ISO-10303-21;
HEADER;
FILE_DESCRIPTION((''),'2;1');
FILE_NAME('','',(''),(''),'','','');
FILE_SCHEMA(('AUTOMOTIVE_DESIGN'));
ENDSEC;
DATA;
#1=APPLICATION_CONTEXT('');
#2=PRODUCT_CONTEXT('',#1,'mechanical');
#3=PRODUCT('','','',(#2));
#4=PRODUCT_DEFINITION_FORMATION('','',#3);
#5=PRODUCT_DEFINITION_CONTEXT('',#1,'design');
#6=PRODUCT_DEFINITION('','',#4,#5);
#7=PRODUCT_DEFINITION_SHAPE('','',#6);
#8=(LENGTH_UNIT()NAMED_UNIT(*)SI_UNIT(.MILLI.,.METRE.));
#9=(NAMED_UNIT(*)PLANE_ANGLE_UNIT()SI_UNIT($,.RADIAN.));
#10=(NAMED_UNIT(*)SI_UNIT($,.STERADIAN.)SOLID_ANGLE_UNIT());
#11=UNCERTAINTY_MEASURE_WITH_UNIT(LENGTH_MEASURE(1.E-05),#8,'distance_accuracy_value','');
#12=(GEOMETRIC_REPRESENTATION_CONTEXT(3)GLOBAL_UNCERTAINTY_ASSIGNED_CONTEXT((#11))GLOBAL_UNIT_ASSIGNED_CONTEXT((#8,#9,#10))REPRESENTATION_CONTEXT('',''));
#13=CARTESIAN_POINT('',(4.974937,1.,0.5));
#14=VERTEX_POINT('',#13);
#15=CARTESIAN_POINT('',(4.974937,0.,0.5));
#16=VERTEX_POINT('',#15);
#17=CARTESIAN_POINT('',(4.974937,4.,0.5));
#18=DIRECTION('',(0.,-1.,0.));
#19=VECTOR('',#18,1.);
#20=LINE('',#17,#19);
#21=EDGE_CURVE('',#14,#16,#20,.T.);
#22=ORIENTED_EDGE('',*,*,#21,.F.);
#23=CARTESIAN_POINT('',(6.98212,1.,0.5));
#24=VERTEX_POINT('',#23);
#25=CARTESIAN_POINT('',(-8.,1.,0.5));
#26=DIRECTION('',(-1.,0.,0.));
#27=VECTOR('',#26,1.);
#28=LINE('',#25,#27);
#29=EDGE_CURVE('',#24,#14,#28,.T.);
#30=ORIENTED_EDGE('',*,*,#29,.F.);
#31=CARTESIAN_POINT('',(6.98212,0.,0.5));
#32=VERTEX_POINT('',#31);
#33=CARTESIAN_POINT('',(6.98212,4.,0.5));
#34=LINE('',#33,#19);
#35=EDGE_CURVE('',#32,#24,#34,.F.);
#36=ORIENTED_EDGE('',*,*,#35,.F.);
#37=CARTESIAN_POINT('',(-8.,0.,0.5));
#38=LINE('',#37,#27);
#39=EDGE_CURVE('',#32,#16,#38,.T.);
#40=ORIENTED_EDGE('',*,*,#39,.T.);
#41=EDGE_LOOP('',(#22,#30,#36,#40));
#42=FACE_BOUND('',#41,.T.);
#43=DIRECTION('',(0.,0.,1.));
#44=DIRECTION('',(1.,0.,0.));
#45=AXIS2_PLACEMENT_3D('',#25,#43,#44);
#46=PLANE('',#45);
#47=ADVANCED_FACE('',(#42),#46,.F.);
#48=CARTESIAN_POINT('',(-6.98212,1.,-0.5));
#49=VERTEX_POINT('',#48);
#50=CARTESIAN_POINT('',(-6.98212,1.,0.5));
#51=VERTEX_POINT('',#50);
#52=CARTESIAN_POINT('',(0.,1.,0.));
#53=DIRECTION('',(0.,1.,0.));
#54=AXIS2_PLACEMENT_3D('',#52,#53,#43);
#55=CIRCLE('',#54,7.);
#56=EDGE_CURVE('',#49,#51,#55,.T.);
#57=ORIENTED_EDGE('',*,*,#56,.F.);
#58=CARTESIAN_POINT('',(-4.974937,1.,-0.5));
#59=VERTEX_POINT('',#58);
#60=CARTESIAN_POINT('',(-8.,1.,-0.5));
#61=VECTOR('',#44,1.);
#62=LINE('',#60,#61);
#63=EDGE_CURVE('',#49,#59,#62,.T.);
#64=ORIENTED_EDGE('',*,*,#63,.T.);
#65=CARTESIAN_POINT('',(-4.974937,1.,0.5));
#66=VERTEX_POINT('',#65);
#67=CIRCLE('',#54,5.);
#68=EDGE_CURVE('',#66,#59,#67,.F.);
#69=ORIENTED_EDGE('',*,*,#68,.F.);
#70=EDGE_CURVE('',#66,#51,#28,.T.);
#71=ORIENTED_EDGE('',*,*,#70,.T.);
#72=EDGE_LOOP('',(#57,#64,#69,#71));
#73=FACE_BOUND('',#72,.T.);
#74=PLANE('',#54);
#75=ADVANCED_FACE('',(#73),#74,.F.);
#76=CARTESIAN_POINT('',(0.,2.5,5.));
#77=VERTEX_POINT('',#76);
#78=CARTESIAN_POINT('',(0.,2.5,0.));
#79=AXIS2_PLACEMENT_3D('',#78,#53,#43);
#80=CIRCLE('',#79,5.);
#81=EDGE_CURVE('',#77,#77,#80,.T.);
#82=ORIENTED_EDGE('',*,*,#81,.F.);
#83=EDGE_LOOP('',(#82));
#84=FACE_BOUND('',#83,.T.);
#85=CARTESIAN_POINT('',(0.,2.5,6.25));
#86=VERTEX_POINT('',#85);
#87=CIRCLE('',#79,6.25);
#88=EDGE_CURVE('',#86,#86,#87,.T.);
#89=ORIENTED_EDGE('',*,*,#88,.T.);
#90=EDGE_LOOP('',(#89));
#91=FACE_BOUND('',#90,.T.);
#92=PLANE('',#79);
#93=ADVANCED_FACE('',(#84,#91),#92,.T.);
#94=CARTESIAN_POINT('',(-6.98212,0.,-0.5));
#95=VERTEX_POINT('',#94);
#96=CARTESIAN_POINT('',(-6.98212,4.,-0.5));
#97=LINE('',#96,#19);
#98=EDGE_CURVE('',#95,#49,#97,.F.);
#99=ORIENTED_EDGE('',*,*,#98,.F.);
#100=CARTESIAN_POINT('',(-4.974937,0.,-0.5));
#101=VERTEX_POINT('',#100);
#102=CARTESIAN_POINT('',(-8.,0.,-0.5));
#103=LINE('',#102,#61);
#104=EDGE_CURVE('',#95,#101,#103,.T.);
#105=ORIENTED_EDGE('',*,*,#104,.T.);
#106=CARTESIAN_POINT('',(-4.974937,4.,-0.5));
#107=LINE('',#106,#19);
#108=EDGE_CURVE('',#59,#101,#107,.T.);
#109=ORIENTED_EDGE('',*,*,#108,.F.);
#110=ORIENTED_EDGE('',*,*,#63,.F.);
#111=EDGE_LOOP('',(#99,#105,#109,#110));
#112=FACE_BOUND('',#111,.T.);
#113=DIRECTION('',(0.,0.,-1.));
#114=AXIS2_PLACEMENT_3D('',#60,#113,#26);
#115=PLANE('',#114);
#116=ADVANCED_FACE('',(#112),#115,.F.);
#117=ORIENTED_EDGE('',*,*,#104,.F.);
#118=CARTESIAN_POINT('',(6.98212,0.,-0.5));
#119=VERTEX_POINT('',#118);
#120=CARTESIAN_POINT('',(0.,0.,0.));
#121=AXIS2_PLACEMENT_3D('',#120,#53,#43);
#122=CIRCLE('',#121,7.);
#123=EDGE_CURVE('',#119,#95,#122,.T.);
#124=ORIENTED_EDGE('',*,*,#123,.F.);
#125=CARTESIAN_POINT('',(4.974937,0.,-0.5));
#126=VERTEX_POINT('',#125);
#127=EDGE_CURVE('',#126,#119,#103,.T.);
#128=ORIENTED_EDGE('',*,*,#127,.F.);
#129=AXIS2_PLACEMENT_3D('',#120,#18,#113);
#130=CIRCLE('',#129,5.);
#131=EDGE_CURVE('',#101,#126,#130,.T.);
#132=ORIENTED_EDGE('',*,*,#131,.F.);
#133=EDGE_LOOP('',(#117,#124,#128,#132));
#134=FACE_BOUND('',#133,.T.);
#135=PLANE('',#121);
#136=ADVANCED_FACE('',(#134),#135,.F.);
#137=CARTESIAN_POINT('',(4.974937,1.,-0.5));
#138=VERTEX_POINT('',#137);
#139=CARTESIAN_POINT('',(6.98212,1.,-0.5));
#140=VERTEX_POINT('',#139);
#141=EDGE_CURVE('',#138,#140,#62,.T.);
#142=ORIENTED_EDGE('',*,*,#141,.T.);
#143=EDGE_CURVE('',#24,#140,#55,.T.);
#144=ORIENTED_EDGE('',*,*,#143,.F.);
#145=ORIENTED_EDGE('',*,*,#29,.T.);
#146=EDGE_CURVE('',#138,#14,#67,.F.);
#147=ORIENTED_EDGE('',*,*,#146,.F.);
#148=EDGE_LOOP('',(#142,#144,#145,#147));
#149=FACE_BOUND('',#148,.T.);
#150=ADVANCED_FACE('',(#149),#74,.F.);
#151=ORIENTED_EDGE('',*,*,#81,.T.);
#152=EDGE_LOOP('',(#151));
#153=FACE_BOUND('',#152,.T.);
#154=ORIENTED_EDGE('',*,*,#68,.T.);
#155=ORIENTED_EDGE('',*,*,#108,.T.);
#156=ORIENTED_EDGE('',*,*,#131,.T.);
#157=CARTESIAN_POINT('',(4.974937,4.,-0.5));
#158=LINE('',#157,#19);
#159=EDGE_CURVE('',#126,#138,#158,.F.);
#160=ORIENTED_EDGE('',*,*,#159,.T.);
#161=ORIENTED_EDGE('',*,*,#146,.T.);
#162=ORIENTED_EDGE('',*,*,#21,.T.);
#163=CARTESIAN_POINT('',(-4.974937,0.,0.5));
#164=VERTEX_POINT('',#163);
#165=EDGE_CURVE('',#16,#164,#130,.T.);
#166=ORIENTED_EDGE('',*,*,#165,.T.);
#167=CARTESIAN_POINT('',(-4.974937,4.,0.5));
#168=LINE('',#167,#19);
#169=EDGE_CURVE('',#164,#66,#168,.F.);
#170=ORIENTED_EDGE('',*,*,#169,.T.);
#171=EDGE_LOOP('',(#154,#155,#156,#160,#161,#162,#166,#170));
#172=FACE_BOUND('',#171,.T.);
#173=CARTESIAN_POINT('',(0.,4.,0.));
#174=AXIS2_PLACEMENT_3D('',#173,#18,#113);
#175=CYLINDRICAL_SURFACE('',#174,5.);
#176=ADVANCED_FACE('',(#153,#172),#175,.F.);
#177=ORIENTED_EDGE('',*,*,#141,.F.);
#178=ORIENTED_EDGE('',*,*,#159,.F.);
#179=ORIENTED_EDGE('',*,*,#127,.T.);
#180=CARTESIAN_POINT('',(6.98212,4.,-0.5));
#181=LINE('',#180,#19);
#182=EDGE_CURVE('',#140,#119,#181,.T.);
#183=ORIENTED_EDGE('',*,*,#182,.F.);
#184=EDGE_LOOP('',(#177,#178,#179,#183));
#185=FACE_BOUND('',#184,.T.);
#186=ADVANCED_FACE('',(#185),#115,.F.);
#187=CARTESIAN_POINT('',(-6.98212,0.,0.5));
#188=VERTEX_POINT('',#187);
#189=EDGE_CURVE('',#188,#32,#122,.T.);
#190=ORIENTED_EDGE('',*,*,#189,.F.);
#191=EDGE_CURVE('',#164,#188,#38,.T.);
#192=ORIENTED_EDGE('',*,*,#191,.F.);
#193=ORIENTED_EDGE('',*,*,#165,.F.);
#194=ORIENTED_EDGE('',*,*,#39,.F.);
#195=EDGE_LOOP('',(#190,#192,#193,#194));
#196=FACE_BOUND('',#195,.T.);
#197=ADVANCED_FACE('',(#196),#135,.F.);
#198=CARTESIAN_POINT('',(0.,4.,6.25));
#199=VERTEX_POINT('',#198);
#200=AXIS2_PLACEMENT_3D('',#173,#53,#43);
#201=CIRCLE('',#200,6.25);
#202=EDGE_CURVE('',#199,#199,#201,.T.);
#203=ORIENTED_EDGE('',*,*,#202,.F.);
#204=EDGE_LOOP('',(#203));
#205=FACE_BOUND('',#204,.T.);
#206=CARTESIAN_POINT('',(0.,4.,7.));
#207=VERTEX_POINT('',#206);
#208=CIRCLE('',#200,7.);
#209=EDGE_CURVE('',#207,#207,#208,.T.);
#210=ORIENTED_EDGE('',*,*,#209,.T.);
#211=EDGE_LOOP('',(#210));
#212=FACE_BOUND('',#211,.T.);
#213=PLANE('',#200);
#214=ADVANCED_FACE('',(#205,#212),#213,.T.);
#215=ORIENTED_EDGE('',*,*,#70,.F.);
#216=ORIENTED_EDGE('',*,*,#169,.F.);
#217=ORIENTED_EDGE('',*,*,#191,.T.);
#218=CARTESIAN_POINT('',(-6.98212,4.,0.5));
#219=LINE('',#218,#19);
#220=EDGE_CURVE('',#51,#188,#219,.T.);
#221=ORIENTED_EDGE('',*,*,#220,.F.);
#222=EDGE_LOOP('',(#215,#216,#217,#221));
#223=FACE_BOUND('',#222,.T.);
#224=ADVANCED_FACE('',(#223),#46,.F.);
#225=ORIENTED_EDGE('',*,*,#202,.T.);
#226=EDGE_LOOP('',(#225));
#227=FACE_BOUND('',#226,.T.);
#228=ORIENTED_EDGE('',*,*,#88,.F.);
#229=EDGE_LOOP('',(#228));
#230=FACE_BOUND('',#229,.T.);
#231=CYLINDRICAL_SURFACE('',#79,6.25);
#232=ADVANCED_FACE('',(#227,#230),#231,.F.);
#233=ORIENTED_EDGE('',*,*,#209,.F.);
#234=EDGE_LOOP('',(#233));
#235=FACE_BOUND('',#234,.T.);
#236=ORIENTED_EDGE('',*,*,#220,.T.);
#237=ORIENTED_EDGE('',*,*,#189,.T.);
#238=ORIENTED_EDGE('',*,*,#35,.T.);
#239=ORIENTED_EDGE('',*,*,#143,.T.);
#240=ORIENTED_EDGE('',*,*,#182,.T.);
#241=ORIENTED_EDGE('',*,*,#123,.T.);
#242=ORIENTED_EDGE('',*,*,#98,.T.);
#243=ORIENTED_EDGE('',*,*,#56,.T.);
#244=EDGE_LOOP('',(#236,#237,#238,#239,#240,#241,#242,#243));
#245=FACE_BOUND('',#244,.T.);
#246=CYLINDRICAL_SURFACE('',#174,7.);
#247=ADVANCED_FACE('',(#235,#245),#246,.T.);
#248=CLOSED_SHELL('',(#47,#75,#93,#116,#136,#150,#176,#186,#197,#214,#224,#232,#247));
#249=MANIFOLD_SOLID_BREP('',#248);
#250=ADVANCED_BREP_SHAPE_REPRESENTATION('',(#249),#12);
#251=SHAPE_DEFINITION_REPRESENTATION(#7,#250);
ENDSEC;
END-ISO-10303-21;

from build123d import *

# Parameters (mm, degrees)
SKETCH1_R           = 7
BOSS_EXTRUDE1_DEPTH = 4
SKETCH2_R           = 6.25
CUT_EXTRUDE1_DEPTH  = 1.5
SKETCH3_R           = 5
CUT_EXTRUDE2_DEPTH  = 5
SKETCH4_W           = 16
SKETCH4_H           = 1
CUT_EXTRUDE3_DEPTH  = 1


with BuildPart() as part:
    # Sketch1 → Boss-Extrude1 (new body)
    with BuildSketch(Plane(origin=(0, 0, 0), x_dir=(1, 0, 0), z_dir=(0, 1, 0))):
        Circle(SKETCH1_R)
    extrude(amount=BOSS_EXTRUDE1_DEPTH)

    # Sketch2 → Cut-Extrude1 (cut)
    with BuildSketch(Plane(origin=(0, 4, 0), x_dir=(1, 0, 0), z_dir=(0, 1, 0))):
        Circle(SKETCH2_R)
    extrude(amount=-CUT_EXTRUDE1_DEPTH, mode=Mode.SUBTRACT)

    # Sketch3 → Cut-Extrude2 (cut, through all)
    with BuildSketch(Plane.XZ):
        Circle(SKETCH3_R)
    extrude(amount=-CUT_EXTRUDE2_DEPTH, mode=Mode.SUBTRACT)

    # Sketch4 → Cut-Extrude3 (cut)
    with BuildSketch(Plane.XZ):
        Rectangle(SKETCH4_W, SKETCH4_H)
    extrude(amount=-CUT_EXTRUDE3_DEPTH, mode=Mode.SUBTRACT)


solid = part.part
